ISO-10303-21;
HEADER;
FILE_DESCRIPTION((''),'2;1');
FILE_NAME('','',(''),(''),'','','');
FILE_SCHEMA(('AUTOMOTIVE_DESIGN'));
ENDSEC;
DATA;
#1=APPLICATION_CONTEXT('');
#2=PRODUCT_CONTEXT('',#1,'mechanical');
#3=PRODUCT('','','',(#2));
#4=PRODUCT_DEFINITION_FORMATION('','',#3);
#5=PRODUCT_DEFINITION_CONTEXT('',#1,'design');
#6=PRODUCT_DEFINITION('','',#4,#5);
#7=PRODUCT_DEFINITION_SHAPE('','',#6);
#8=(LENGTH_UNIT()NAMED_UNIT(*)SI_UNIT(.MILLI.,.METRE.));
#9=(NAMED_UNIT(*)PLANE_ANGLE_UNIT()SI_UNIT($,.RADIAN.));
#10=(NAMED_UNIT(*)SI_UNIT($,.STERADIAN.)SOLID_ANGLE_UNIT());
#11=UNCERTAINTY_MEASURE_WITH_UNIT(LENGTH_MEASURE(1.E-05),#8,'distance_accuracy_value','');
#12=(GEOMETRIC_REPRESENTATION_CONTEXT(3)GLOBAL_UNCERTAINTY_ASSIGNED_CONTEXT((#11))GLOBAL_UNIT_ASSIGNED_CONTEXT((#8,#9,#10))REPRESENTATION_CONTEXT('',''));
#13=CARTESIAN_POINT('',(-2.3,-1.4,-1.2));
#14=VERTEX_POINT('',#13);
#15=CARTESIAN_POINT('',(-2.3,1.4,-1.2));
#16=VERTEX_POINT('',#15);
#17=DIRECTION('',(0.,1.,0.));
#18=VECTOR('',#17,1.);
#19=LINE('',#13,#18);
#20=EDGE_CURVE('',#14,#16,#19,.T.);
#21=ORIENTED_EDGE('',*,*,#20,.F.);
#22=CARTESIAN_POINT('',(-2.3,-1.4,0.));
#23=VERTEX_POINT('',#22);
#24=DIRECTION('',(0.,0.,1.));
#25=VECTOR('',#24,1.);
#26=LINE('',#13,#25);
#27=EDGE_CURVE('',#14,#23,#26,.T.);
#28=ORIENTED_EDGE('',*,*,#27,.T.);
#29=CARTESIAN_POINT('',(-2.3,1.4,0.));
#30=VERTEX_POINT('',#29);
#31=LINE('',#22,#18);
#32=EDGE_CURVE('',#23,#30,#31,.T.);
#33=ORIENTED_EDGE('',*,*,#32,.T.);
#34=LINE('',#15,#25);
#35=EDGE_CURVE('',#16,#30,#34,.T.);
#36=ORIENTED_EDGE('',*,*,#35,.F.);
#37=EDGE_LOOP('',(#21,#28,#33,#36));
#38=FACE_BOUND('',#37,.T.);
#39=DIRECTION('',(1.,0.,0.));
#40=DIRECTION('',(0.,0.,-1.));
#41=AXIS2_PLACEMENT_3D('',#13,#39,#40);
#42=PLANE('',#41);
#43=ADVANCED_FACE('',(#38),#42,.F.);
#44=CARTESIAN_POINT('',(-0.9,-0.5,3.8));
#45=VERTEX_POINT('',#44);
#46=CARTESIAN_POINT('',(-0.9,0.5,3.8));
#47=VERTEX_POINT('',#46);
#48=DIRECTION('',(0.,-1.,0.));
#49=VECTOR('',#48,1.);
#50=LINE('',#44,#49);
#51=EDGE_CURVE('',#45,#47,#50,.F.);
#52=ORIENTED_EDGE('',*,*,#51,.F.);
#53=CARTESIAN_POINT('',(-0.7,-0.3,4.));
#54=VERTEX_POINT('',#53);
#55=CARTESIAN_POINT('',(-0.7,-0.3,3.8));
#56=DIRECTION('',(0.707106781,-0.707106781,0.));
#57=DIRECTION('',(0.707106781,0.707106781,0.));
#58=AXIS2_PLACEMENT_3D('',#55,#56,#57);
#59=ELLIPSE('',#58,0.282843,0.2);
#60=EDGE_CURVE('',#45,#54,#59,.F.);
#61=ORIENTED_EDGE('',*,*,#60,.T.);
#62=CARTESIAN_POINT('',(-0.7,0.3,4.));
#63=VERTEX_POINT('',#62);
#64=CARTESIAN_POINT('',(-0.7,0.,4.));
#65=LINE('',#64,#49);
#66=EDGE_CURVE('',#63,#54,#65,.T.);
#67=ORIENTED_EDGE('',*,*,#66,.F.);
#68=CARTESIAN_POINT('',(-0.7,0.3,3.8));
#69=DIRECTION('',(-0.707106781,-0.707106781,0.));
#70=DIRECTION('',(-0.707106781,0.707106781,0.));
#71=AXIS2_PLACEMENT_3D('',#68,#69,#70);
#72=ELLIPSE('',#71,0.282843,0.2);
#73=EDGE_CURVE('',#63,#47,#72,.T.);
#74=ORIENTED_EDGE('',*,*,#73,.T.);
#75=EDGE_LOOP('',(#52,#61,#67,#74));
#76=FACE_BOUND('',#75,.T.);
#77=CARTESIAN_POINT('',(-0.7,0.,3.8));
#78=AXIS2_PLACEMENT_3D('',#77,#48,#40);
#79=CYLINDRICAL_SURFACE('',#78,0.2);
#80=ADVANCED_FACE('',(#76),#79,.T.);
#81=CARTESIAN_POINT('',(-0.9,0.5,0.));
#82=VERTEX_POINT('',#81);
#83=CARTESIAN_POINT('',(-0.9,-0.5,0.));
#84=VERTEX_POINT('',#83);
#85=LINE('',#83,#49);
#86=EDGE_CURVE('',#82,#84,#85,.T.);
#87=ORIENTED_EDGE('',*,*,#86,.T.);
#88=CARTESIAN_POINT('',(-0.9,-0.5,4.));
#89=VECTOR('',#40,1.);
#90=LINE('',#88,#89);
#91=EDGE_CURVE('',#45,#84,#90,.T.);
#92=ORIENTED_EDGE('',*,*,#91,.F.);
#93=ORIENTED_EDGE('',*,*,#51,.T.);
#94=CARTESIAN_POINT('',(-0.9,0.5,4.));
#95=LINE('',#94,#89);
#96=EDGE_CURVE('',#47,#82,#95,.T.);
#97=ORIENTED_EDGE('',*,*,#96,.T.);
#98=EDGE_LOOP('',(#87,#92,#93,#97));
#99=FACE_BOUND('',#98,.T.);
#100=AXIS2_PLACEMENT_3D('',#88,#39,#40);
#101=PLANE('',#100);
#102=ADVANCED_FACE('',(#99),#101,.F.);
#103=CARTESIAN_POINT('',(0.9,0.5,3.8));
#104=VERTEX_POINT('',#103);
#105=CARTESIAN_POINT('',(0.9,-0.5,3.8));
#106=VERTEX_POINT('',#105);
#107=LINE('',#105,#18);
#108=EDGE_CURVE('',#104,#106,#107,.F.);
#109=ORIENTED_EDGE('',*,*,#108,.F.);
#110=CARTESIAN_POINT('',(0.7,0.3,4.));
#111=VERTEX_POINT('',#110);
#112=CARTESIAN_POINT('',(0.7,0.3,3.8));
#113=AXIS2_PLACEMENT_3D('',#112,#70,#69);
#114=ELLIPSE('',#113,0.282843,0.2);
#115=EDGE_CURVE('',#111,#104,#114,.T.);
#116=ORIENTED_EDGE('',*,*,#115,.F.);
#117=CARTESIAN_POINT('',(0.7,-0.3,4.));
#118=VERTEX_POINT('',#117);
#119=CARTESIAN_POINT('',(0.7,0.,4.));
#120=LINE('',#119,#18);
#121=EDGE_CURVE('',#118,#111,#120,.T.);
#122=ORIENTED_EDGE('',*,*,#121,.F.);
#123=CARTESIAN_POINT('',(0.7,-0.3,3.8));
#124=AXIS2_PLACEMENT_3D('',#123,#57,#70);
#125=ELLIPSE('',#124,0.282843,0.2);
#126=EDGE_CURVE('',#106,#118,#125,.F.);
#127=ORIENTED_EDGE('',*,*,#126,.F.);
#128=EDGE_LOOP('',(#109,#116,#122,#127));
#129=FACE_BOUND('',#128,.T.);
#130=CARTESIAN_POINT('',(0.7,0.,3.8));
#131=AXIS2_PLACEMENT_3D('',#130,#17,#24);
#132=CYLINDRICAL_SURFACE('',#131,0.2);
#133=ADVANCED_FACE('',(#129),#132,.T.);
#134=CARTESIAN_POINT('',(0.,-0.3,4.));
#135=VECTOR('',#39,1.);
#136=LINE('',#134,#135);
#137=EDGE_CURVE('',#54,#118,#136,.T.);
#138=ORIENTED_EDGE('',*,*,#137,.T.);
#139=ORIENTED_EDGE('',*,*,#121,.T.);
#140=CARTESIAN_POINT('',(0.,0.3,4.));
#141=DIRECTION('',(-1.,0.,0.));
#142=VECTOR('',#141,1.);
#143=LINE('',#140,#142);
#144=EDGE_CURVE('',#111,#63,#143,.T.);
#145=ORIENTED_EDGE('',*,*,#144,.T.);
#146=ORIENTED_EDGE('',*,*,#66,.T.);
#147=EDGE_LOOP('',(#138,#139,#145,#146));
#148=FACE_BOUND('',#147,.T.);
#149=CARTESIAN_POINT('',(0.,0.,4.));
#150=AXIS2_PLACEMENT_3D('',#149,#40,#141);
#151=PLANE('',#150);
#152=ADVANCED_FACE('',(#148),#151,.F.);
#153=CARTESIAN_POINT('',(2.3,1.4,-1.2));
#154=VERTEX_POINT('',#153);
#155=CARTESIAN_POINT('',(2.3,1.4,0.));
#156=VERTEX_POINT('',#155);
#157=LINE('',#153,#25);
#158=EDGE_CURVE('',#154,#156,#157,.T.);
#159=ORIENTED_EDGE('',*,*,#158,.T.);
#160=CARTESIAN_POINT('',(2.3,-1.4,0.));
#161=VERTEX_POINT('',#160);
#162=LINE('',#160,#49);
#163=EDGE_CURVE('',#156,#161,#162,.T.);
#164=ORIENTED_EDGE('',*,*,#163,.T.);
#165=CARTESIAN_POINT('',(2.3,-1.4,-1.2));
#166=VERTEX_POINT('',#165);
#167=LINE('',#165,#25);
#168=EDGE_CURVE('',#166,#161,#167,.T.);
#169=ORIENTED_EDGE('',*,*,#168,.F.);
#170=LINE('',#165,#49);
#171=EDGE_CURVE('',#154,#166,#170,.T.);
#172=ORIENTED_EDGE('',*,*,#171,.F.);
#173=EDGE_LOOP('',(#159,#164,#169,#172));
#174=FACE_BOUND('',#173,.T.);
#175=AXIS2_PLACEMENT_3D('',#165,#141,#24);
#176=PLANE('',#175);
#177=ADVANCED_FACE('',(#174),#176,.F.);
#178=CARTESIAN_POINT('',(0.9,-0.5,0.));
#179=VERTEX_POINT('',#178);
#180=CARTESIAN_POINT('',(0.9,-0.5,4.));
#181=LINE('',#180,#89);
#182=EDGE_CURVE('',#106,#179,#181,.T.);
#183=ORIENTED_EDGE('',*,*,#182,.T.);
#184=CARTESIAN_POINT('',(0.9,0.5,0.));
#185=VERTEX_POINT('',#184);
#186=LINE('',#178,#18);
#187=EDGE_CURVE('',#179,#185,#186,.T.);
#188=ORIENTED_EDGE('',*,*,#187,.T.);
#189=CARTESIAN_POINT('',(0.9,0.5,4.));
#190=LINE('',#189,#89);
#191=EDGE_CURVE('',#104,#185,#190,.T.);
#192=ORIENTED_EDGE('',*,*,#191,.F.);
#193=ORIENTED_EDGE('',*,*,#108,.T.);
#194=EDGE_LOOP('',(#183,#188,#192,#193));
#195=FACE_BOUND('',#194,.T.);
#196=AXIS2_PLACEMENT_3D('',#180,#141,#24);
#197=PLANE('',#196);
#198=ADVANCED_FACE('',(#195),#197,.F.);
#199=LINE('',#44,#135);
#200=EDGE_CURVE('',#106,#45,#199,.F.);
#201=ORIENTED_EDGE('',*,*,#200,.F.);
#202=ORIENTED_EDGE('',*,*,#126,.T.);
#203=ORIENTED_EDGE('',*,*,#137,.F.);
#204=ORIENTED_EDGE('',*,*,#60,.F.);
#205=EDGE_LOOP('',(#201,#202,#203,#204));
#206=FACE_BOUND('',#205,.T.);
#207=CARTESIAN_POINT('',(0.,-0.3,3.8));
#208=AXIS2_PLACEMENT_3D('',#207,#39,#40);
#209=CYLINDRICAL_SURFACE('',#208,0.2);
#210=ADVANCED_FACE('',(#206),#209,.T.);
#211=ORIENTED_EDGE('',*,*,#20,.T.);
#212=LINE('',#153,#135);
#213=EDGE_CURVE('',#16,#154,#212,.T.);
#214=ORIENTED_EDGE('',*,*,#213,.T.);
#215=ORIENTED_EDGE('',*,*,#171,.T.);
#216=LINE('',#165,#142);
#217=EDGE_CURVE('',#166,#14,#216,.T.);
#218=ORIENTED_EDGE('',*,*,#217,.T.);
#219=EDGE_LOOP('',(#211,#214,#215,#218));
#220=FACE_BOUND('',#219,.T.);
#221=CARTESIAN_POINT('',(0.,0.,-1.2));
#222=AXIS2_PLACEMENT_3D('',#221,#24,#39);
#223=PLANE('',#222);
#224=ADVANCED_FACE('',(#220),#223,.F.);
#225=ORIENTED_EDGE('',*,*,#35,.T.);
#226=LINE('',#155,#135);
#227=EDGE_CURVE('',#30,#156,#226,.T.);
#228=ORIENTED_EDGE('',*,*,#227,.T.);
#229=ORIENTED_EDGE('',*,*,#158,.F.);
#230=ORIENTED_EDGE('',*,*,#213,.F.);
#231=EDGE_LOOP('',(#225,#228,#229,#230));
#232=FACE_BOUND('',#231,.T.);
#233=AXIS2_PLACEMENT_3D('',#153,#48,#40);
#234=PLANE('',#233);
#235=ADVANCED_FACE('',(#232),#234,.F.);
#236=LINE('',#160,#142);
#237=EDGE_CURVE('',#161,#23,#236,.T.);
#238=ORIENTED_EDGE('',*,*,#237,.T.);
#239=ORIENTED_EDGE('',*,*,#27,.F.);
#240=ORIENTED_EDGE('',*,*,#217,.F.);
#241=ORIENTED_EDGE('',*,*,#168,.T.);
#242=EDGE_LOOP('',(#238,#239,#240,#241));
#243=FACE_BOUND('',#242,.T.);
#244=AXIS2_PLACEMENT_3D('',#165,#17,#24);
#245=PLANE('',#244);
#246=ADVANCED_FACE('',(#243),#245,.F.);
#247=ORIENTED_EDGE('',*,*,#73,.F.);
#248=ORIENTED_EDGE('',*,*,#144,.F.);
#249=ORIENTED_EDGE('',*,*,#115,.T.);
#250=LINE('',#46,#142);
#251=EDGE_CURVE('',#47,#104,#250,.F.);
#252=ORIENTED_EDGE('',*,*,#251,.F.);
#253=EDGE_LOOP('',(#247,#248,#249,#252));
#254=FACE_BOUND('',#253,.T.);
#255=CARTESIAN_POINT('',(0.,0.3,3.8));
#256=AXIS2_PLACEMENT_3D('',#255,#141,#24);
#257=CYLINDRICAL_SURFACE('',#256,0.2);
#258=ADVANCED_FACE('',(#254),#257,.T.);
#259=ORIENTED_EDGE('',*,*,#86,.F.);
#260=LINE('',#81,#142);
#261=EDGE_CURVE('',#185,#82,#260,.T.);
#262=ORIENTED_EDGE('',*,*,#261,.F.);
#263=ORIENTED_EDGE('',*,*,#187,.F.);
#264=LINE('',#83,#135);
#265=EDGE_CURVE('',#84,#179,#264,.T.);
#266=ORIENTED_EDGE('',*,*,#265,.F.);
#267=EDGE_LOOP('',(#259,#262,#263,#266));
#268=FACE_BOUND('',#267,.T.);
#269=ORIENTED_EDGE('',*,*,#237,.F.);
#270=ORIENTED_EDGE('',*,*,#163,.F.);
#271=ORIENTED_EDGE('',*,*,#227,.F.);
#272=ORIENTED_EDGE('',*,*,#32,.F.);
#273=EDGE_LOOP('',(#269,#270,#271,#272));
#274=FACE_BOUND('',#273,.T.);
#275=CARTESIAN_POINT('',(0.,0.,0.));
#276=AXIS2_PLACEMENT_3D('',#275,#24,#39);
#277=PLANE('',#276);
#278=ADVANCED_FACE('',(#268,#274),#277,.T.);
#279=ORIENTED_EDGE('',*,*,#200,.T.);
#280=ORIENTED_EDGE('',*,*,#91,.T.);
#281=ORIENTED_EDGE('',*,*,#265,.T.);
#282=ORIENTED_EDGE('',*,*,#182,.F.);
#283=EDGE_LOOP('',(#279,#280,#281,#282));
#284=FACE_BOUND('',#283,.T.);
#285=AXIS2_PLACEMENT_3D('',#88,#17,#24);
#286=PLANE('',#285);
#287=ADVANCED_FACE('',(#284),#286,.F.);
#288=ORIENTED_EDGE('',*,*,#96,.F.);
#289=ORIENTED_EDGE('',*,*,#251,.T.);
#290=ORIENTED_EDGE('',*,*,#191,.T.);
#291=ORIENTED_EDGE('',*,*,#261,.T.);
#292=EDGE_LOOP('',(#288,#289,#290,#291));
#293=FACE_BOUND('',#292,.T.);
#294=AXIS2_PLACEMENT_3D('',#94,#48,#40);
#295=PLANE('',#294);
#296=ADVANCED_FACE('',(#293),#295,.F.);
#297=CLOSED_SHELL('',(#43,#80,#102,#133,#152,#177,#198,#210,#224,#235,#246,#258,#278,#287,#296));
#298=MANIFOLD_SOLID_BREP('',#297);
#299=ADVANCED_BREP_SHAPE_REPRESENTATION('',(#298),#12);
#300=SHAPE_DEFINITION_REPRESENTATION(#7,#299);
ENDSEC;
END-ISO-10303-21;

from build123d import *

# Parameters (mm, degrees)
SKIZZE1_W                       = 1.8
SKIZZE1_H                       = 1
AUFSATZ_LINEAR_AUSTRAGEN1_DEPTH = 4
SKIZZE2_W                       = 4.6
SKIZZE2_H                       = 2.8
AUFSATZ_LINEAR_AUSTRAGEN2_DEPTH = 1.2
VERRUNDUNG1_R                   = 0.2


with BuildPart() as part:
    # Skizze1 → Aufsatz-Linear austragen1 (new body)
    with BuildSketch(Plane.XY):
        Rectangle(SKIZZE1_W, SKIZZE1_H)
    extrude(amount=AUFSATZ_LINEAR_AUSTRAGEN1_DEPTH)

    # Skizze2 → Aufsatz-Linear austragen2 (add)
    with BuildSketch(Plane(origin=(0, 0, 0), x_dir=(-1, 0, 0), z_dir=(0, 0, -1))):
        Rectangle(SKIZZE2_W, SKIZZE2_H)
    extrude(amount=AUFSATZ_LINEAR_AUSTRAGEN2_DEPTH)

    # Verrundung1
    verrundung1_edges = [part.edges().sort_by_distance(p)[0] for p in [
        (-0.9, 0, 4),
        (0, -0.5, 4),
        (0.9, 0, 4),
        (0, 0.5, 4),
    ]]
    fillet(verrundung1_edges, radius=VERRUNDUNG1_R)


solid = part.part
